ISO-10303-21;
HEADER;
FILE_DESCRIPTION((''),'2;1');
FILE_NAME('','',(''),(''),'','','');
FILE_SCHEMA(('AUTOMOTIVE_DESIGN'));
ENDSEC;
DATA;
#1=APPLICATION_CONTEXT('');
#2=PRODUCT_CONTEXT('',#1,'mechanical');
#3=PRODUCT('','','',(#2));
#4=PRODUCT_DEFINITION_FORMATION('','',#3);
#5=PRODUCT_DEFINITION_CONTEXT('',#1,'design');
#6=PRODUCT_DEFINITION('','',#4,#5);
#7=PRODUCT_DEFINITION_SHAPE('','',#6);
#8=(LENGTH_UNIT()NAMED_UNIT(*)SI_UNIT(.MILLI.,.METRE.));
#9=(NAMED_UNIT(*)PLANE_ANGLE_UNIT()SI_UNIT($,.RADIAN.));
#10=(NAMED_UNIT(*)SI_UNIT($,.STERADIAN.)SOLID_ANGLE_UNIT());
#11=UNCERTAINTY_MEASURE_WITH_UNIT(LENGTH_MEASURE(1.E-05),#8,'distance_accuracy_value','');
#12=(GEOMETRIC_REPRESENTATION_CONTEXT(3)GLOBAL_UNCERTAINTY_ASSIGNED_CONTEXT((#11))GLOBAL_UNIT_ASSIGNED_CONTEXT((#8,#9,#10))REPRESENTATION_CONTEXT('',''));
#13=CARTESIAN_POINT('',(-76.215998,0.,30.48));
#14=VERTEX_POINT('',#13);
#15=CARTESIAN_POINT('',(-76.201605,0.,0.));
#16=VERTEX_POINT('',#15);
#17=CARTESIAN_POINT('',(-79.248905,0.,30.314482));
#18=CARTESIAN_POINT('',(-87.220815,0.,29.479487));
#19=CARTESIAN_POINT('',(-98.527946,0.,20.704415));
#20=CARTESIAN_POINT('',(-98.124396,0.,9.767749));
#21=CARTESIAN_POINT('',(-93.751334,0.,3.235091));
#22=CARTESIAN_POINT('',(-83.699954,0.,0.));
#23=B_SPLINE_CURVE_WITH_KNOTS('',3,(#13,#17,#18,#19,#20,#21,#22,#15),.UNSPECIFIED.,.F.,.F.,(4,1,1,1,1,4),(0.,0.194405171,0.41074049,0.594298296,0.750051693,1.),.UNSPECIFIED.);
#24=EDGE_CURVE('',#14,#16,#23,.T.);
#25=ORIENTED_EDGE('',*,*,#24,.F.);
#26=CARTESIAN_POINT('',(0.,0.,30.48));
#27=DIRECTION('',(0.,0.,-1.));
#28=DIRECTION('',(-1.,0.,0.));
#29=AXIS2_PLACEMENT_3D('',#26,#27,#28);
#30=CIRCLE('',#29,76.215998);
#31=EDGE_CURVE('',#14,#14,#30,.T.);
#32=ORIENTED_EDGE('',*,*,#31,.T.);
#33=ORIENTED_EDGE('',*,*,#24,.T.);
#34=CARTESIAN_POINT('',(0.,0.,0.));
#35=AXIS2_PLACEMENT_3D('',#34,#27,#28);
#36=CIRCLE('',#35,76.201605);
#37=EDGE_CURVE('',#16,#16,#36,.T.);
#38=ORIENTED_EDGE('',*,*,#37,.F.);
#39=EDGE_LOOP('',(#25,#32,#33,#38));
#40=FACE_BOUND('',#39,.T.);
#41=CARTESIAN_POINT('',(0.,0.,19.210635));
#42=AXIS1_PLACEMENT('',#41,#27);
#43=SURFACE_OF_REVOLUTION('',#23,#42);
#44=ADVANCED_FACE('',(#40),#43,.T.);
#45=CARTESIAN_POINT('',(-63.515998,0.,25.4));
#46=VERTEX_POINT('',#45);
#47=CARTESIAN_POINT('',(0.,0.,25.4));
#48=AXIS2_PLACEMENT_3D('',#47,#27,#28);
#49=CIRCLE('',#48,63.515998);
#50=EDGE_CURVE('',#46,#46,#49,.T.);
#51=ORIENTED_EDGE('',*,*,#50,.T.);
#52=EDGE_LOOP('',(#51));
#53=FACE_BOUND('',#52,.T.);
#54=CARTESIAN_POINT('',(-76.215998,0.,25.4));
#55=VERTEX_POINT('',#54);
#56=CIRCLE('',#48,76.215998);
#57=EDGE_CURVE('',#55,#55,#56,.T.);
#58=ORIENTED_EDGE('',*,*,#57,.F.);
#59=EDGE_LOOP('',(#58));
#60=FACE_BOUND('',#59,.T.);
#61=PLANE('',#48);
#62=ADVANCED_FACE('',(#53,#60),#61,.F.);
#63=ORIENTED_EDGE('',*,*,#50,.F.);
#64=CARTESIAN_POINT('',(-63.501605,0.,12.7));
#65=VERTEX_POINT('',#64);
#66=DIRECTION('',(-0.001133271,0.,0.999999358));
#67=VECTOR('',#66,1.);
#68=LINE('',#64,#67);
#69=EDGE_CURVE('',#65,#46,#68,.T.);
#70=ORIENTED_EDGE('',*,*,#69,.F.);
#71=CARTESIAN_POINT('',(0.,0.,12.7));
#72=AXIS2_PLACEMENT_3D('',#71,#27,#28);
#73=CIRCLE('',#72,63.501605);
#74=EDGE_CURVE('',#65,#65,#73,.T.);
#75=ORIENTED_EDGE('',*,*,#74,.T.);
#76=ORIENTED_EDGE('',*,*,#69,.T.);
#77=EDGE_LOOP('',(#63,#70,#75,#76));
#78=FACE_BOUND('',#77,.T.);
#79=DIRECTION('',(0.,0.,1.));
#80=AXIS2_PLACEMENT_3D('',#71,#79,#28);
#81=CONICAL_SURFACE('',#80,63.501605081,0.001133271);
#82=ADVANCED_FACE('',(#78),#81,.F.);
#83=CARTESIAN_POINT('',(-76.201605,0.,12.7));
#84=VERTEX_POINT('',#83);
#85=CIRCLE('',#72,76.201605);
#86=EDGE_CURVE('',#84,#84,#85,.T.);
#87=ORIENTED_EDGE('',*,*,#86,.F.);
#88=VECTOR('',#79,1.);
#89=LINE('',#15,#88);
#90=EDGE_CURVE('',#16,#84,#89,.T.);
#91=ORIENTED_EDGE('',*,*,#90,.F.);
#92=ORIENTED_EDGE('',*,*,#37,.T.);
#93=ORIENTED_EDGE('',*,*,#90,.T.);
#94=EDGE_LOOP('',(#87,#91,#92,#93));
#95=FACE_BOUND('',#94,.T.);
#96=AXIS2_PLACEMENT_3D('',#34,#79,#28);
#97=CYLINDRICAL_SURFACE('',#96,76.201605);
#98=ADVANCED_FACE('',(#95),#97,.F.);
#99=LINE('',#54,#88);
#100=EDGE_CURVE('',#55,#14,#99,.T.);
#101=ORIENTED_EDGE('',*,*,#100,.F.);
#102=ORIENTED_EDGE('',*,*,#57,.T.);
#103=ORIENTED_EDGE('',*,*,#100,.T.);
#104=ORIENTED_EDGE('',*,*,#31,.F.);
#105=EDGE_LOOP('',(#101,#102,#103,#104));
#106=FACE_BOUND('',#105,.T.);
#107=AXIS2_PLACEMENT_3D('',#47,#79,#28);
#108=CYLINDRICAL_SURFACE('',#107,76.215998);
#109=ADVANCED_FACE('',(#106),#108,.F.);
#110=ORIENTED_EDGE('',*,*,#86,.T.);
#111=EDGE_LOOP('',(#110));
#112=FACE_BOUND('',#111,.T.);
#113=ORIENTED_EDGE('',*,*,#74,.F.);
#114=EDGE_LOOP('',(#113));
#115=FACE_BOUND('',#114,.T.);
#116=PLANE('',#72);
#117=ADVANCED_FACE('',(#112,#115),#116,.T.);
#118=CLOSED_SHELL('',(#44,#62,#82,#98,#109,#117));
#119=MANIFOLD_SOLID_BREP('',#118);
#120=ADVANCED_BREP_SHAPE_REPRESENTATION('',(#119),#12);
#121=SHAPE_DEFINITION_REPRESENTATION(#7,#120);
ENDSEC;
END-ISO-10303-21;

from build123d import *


with BuildPart() as f2:
    # F1 (on Front) → F2 (revolve)
    with BuildSketch(Plane.XZ):
        with BuildLine():
            Line((-76.2016050812, 12.7), (-63.5016050812, 12.7))
            Line((-63.5016050812, 12.7), (-63.5159976344, 25.4))
            Line((-63.5159976344, 25.4), (-76.2159976344, 25.4))
            Line((-76.2159976344, 25.4), (-76.2159976344, 30.48))
            add(Edge.make_bspline(
                [(-76.2159976344, 30.48), (-79.2489053365, 30.3144820393), (-87.220815095, 29.4794872554), (-98.5279463142, 20.7044150627), (-98.1243957152, 9.7677493312), (-93.7513341063, 3.2350908285), (-83.6999535024, 0), (-76.2016050812, 0)],
                knots=[0, 0, 0, 0, 0.1944051706, 0.4107404898, 0.5942982956, 0.7500516927, 1, 1, 1, 1], degree=3))
            Line((-76.2016050812, 0), (-76.2016050812, 12.7))
        make_face()
    revolve(axis=Axis((0, 0, 19.2106347531), (0, 0, -1)))


solid = f2.part
